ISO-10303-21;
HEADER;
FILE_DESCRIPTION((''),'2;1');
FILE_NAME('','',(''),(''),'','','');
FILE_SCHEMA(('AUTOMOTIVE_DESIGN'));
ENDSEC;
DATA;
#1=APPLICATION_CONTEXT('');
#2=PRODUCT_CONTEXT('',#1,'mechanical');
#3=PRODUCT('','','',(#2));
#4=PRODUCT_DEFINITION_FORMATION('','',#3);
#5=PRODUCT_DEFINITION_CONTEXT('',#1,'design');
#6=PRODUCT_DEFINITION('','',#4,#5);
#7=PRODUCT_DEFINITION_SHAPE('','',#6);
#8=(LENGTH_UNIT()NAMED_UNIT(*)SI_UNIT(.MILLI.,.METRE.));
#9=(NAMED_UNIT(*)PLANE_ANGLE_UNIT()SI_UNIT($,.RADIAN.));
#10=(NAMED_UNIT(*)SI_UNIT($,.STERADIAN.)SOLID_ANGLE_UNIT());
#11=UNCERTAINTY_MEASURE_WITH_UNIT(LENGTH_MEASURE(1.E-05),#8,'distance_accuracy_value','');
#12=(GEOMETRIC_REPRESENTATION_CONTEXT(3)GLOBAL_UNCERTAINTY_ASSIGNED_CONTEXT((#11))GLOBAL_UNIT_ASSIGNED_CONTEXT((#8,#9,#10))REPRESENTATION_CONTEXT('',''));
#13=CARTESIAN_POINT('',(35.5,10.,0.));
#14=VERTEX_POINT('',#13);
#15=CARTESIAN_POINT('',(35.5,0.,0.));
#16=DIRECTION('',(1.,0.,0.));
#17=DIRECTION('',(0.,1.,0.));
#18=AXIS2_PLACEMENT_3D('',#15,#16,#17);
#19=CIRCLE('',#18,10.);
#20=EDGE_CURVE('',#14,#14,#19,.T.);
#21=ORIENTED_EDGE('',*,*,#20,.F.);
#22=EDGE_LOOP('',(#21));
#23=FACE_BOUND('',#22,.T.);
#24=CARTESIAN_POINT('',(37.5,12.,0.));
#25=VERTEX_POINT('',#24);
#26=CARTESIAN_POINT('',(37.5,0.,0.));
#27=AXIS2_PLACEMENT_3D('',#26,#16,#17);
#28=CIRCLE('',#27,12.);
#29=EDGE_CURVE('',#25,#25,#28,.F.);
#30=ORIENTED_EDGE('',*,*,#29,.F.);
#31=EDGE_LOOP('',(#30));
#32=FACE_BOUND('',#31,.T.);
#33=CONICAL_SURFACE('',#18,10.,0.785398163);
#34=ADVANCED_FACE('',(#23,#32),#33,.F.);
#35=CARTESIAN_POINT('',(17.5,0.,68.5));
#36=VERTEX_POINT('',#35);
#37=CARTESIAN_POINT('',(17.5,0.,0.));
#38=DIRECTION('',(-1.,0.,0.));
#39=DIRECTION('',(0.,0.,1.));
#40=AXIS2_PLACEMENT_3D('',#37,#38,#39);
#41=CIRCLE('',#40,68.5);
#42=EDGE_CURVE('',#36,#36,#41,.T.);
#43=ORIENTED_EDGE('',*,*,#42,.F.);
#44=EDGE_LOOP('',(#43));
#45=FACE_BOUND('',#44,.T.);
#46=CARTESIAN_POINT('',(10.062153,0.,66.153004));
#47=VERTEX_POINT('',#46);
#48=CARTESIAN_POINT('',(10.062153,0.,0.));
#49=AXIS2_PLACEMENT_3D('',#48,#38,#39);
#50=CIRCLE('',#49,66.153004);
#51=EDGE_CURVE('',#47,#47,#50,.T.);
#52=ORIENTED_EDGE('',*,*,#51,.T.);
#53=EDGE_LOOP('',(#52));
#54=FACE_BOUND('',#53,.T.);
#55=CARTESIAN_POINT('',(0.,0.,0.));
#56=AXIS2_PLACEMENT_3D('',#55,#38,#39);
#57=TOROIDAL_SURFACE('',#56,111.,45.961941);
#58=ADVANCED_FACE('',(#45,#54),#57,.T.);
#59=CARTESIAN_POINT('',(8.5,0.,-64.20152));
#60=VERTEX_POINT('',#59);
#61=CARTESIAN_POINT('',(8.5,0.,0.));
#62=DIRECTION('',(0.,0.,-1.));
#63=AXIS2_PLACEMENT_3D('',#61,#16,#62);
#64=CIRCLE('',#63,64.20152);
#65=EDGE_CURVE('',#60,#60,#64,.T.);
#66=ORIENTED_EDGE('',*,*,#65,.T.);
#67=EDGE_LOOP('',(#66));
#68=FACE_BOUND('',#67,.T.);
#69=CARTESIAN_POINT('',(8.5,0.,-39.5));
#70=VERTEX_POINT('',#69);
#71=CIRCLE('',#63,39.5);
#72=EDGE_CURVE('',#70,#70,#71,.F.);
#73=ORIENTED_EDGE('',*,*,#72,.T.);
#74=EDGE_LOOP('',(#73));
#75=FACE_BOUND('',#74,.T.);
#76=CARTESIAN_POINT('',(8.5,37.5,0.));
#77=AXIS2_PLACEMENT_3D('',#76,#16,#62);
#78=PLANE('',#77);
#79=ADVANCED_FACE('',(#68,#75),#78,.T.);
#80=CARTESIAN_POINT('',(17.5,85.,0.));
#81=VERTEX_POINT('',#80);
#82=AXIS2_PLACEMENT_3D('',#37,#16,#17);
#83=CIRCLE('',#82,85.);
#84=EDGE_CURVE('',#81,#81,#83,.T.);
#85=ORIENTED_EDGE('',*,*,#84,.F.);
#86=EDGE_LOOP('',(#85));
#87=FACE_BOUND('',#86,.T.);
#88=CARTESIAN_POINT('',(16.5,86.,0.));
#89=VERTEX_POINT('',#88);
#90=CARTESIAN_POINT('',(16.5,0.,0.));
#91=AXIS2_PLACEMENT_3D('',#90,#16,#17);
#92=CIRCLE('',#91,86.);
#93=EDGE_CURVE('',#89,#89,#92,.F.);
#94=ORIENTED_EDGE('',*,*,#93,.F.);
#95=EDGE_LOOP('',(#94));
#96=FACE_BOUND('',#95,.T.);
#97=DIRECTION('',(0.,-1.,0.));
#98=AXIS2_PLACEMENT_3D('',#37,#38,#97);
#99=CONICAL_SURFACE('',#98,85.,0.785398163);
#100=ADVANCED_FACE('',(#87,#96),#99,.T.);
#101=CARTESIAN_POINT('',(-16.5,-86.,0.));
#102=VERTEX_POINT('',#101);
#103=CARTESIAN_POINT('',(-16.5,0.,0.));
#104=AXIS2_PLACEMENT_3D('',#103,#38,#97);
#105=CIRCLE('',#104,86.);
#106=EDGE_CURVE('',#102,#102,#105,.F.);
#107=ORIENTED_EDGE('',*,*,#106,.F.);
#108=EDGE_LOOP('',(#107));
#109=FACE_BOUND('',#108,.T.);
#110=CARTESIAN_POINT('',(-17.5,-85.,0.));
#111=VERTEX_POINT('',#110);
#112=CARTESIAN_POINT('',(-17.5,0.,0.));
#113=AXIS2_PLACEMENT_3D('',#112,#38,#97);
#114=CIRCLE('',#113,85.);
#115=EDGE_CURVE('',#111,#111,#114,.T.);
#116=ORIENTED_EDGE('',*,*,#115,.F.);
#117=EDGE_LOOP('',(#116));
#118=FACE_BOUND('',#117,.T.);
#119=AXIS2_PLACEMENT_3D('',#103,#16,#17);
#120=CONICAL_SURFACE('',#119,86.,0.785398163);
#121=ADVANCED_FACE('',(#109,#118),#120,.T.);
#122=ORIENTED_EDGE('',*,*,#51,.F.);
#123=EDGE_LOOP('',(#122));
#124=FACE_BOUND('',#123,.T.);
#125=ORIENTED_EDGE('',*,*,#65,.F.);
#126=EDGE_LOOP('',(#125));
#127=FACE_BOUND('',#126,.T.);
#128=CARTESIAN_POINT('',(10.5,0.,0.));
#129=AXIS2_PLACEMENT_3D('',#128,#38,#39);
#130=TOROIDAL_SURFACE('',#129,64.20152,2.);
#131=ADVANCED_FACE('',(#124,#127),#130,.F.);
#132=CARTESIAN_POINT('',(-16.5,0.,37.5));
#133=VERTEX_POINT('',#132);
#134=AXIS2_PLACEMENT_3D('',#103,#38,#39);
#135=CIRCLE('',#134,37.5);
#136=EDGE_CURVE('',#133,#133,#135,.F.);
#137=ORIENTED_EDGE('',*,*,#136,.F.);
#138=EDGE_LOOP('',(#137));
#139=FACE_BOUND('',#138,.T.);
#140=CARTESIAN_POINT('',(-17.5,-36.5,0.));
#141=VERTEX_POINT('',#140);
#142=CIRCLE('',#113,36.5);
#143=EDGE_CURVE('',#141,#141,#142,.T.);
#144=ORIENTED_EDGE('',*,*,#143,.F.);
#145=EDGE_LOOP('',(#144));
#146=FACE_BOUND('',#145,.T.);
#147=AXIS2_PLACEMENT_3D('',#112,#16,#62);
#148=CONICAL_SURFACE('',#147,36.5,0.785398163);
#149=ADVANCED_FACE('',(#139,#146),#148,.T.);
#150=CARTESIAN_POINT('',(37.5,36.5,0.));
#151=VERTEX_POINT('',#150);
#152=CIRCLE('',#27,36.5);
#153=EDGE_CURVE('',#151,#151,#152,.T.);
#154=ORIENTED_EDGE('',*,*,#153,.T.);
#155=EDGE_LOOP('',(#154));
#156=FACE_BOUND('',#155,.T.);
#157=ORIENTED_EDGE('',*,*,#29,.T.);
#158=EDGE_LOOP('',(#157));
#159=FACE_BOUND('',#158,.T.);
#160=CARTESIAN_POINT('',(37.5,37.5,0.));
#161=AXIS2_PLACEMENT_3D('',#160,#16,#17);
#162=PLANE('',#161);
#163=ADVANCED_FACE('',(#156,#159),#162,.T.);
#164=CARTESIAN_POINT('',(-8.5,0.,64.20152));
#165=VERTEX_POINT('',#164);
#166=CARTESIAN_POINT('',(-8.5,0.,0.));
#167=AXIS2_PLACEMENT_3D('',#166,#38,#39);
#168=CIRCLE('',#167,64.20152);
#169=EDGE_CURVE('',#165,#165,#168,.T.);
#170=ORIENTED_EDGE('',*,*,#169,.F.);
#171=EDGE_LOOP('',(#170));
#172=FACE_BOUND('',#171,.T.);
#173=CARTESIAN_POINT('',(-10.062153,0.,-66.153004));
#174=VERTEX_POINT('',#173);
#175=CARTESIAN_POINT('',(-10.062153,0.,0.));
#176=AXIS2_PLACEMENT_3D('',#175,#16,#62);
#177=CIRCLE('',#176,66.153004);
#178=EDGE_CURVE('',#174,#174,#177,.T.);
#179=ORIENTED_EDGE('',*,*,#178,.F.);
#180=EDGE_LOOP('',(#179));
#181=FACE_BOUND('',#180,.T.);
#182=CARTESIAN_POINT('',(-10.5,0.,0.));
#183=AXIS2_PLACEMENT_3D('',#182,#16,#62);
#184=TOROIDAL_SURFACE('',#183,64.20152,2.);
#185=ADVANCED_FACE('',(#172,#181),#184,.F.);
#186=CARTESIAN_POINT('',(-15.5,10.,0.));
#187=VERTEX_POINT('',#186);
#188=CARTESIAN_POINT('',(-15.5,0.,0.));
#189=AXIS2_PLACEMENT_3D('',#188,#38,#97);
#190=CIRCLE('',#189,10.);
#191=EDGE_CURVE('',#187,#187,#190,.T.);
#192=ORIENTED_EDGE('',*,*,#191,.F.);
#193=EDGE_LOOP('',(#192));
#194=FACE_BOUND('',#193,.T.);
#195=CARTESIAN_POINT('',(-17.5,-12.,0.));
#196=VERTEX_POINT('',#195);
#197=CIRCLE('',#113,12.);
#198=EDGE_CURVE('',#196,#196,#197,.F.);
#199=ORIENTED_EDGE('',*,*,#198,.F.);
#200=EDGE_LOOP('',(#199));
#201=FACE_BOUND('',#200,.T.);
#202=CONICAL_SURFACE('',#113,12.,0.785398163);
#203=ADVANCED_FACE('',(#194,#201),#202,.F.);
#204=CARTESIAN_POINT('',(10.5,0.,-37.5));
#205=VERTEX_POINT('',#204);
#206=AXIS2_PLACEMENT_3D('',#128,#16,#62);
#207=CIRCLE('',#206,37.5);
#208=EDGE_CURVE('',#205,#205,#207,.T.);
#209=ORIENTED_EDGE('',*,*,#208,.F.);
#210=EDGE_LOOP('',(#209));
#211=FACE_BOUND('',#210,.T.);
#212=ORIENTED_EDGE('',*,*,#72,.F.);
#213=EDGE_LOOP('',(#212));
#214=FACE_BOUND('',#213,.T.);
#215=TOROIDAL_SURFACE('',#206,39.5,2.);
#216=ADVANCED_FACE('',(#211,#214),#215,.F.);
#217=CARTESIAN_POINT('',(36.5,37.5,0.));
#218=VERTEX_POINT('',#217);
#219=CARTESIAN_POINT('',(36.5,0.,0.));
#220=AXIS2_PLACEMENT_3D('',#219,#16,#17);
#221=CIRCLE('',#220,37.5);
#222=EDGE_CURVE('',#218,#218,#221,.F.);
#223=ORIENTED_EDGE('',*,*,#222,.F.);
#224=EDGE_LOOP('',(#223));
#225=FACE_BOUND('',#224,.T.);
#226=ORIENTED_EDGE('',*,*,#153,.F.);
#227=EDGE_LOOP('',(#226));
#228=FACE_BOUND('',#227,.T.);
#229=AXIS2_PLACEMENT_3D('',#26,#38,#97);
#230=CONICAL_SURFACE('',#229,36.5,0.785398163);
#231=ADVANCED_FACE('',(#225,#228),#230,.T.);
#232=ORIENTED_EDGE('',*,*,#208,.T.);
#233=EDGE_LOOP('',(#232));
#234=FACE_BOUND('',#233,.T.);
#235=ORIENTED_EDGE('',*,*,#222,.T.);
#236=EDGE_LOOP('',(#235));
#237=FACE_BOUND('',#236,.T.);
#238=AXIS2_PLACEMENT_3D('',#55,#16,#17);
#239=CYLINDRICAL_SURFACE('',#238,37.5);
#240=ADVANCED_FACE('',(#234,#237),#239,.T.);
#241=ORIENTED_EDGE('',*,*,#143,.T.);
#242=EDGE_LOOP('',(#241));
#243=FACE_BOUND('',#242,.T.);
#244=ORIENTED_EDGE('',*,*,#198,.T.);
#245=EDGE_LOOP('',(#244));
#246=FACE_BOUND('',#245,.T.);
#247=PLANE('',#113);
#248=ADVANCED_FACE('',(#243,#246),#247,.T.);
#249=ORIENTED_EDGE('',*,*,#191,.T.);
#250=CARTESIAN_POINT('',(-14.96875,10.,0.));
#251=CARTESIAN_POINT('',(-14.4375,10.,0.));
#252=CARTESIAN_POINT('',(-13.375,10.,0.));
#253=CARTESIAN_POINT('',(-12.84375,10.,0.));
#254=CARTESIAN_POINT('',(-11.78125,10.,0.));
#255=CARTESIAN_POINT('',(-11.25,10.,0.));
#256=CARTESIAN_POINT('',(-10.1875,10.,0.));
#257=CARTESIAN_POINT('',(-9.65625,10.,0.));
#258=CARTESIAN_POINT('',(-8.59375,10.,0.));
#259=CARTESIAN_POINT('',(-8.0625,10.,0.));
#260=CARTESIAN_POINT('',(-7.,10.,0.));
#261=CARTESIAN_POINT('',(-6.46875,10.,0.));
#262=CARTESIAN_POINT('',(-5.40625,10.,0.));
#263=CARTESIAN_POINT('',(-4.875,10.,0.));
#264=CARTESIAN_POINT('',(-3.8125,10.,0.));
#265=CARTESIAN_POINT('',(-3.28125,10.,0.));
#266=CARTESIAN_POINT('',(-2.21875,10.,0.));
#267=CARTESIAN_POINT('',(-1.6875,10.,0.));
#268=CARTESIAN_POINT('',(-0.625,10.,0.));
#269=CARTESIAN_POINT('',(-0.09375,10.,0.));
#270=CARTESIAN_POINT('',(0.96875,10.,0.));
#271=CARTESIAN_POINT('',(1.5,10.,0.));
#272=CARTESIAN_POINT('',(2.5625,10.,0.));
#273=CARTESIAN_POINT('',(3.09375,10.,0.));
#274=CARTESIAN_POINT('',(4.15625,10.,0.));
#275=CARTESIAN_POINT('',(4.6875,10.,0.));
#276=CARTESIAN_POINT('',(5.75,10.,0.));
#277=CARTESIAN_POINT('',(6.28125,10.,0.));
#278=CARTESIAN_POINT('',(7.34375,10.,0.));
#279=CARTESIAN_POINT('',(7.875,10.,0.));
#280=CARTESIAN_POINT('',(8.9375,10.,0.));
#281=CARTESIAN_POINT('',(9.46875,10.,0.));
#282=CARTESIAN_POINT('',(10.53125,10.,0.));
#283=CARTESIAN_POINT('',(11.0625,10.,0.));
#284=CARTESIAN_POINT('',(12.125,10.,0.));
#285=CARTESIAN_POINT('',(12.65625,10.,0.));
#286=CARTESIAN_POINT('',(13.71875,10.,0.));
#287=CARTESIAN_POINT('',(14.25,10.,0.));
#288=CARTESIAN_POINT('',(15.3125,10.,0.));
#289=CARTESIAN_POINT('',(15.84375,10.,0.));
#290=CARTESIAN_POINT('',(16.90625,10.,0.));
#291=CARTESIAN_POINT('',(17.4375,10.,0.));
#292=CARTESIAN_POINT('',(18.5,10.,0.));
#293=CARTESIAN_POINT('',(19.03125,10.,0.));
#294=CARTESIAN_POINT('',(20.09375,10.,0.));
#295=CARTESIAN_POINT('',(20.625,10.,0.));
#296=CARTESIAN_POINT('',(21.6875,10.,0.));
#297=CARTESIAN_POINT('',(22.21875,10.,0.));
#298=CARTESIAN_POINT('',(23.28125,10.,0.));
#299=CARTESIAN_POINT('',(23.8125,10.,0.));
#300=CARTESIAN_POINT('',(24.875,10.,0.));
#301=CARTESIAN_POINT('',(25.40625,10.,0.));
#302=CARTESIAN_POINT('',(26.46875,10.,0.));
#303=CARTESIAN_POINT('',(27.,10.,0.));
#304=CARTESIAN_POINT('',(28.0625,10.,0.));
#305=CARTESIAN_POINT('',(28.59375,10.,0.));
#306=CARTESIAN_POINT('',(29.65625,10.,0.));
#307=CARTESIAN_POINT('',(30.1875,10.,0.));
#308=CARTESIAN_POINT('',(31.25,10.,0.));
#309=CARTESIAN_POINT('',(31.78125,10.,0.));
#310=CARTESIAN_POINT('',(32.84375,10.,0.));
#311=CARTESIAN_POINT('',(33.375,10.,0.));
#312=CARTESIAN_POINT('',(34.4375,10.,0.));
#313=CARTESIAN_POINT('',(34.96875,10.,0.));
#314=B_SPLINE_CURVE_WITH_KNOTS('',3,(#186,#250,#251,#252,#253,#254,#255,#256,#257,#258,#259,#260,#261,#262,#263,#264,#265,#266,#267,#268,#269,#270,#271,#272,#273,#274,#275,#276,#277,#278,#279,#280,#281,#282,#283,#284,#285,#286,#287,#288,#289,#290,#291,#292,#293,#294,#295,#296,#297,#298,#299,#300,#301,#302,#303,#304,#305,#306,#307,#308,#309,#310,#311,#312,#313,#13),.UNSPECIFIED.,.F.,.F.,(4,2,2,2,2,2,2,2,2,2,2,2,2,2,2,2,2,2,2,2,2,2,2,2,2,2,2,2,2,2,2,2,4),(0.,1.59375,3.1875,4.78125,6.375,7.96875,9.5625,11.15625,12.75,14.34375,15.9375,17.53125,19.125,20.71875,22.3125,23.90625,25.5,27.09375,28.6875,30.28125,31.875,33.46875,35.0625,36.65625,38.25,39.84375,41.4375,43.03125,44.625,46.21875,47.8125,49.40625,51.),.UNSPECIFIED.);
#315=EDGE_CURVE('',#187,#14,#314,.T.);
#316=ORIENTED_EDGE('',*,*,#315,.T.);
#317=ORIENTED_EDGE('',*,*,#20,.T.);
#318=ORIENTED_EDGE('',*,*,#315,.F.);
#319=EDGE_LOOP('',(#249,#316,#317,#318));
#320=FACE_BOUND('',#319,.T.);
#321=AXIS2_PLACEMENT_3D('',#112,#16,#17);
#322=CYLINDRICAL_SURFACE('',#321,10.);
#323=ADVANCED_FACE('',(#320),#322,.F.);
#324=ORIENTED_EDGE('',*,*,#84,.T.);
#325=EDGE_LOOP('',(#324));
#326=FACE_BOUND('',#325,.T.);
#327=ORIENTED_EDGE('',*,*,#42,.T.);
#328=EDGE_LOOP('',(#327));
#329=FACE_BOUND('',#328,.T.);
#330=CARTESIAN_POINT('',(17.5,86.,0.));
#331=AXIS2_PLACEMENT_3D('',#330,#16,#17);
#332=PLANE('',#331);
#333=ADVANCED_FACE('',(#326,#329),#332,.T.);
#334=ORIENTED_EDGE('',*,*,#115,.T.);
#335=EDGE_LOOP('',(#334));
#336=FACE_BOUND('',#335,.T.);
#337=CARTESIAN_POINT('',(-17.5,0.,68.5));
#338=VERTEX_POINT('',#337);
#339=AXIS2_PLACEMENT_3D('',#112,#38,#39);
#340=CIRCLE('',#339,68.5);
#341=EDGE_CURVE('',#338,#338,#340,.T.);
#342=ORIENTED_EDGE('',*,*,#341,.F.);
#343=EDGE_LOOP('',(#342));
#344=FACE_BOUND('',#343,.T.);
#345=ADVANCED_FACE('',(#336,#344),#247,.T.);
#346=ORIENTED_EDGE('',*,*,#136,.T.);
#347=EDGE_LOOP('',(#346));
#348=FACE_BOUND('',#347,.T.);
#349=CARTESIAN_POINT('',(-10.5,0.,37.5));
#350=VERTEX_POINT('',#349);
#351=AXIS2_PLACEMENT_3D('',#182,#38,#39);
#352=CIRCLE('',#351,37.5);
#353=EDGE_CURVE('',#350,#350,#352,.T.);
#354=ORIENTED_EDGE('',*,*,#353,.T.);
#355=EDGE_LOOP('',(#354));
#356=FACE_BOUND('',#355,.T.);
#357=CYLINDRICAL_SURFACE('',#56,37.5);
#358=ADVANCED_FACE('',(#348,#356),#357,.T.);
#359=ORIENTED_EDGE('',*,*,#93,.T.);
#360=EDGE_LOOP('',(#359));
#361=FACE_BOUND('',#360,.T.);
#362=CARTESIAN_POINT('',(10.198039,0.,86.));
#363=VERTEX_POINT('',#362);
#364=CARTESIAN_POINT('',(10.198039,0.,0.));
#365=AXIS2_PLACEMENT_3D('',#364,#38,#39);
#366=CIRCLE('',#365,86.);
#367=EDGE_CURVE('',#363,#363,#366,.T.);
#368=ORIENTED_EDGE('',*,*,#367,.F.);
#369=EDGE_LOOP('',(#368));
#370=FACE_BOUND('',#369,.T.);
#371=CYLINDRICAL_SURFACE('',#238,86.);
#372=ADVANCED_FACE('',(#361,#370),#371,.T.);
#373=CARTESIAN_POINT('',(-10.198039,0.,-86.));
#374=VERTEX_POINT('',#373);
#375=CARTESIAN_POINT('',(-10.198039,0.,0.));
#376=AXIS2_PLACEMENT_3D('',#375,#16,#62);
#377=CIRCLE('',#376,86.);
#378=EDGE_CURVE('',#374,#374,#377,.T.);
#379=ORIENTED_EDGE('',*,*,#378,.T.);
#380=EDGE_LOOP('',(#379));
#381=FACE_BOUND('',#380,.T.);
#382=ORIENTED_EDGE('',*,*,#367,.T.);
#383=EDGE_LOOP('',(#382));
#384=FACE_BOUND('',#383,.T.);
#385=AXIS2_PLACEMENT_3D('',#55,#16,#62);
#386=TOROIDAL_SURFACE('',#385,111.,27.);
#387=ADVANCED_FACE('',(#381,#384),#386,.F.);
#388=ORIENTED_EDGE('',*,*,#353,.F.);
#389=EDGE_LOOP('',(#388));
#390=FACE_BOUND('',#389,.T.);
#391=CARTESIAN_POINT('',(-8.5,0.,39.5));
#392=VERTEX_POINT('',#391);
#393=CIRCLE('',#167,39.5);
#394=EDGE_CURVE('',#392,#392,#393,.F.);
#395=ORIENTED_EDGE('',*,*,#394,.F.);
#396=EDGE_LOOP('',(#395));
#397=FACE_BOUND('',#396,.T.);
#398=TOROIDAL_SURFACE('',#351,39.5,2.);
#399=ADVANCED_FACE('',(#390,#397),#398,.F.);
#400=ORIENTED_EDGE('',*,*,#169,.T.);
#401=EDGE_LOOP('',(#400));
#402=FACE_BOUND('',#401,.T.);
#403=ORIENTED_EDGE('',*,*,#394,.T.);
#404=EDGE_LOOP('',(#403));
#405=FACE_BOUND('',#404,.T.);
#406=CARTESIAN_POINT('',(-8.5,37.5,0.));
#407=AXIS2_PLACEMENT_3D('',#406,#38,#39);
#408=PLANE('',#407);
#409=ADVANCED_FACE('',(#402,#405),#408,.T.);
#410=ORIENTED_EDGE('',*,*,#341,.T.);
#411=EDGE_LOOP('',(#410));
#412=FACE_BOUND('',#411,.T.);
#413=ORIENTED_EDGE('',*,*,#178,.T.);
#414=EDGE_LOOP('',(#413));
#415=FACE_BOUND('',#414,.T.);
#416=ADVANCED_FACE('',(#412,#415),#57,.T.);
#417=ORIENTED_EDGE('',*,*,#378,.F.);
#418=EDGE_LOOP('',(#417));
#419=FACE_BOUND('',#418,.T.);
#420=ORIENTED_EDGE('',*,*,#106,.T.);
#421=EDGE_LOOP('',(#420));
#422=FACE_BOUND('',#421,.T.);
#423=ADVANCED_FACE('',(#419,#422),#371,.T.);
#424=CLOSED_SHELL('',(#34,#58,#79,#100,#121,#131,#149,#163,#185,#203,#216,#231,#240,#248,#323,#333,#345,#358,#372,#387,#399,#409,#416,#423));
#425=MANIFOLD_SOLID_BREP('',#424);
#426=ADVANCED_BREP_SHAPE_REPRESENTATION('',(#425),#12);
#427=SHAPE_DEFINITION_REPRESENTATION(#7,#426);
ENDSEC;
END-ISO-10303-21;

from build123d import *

# Parameters (mm, degrees)
CROQUIS2_R            = 27
CROQUIS4_R            = 10
CORTAR_EXTRUIR1_DEPTH = 134.4803358
CHAFL_N1_SIZE         = 1
CHAFL_N2_SIZE         = 2
REDONDEO3_R           = 2
REDONDEO5_R           = 2


with BuildPart() as part:
    # Croquis1 → Revolución1 (revolve)
    with BuildSketch(Plane.XY):
        Polygon((-17.5, 0), (17.5, 0), (37.5, 0), (37.5, 37.5), (17.5, 37.5), (17.5, 86), (-17.5, 86), align=None)
    revolve(axis=Axis((0, 0, 0), (-1, 0, 0)))

    # Croquis2 → Cortar-Revolución1 (revolve, cut)
    with BuildSketch(Plane.XY):
        with Locations((0, 111)):
            Circle(CROQUIS2_R)
    revolve(axis=Axis((0, 0, 0), (-1, 0, 0)), mode=Mode.SUBTRACT)

    # Croquis3 → Cortar-Revolución2 (revolve, cut)
    with BuildSketch(Plane.XY, mode=Mode.PRIVATE) as cortar_revoluci_n2_sk:
        with BuildLine():
            Line((-8.5, 37.5), (-8.5, 65.830873376))
            ThreePointArc((-8.5, 65.830873376), (-13.06832274, 66.93505996), (-17.5, 68.5))
            Line((-17.5, 68.5), (-17.5, 37.5))
            Line((-17.5, 37.5), (-8.5, 37.5))
        make_face()
        with BuildLine():
            Line((8.5, 37.5), (8.5, 65.830873376))
            ThreePointArc((8.5, 65.830873376), (13.06832274, 66.93505996), (17.5, 68.5))
            Line((17.5, 68.5), (17.5, 37.5))
            Line((17.5, 37.5), (8.5, 37.5))
        make_face()
    revolve(cortar_revoluci_n2_sk.sketch.rotate(Axis((0, 0, 0), (1, 0, 0)), 90), axis=Axis((0, 0, 0), (1, 0, 0)), mode=Mode.SUBTRACT)

    # Croquis4 → Cortar-Extruir1 (cut, through all)
    with BuildSketch(Plane(origin=(37.5, 0, 0), x_dir=(0, 0, -1), z_dir=(1, 0, 0))):
        with Locations(Location((0, 0, 0), (0, 0, 90))):
            Circle(CROQUIS4_R)
    extrude(amount=-CORTAR_EXTRUIR1_DEPTH, mode=Mode.SUBTRACT)

    # Chaflán1
    chafl_n1_edges = [part.edges().sort_by_distance(p)[0] for p in [
        (-17.5, 0, -37.5),
        (37.5, -37.5, 0),
        (17.5, -86, 0),
        (-17.5, -86, 0),
    ]]
    chamfer(chafl_n1_edges, length=CHAFL_N1_SIZE)

    # Chaflán2
    chafl_n2_edges = [part.edges().sort_by_distance(p)[0] for p in [
        (-17.5, -10, 0),
        (37.5, -10, 0),
    ]]
    chamfer(chafl_n2_edges, length=CHAFL_N2_SIZE)

    # Redondeo3
    redondeo3_edges = [part.edges().sort_by_distance(p)[0] for p in [
        (-8.5, 0, -65.830873376),
        (8.5, 0, -65.830873376),
    ]]
    fillet(redondeo3_edges, radius=REDONDEO3_R)

    # Redondeo5
    redondeo5_edges = [part.edges().sort_by_distance(p)[0] for p in [
        (-8.5, 0, -37.5),
        (8.5, 0, -37.5),
    ]]
    fillet(redondeo5_edges, radius=REDONDEO5_R)


solid = part.part
